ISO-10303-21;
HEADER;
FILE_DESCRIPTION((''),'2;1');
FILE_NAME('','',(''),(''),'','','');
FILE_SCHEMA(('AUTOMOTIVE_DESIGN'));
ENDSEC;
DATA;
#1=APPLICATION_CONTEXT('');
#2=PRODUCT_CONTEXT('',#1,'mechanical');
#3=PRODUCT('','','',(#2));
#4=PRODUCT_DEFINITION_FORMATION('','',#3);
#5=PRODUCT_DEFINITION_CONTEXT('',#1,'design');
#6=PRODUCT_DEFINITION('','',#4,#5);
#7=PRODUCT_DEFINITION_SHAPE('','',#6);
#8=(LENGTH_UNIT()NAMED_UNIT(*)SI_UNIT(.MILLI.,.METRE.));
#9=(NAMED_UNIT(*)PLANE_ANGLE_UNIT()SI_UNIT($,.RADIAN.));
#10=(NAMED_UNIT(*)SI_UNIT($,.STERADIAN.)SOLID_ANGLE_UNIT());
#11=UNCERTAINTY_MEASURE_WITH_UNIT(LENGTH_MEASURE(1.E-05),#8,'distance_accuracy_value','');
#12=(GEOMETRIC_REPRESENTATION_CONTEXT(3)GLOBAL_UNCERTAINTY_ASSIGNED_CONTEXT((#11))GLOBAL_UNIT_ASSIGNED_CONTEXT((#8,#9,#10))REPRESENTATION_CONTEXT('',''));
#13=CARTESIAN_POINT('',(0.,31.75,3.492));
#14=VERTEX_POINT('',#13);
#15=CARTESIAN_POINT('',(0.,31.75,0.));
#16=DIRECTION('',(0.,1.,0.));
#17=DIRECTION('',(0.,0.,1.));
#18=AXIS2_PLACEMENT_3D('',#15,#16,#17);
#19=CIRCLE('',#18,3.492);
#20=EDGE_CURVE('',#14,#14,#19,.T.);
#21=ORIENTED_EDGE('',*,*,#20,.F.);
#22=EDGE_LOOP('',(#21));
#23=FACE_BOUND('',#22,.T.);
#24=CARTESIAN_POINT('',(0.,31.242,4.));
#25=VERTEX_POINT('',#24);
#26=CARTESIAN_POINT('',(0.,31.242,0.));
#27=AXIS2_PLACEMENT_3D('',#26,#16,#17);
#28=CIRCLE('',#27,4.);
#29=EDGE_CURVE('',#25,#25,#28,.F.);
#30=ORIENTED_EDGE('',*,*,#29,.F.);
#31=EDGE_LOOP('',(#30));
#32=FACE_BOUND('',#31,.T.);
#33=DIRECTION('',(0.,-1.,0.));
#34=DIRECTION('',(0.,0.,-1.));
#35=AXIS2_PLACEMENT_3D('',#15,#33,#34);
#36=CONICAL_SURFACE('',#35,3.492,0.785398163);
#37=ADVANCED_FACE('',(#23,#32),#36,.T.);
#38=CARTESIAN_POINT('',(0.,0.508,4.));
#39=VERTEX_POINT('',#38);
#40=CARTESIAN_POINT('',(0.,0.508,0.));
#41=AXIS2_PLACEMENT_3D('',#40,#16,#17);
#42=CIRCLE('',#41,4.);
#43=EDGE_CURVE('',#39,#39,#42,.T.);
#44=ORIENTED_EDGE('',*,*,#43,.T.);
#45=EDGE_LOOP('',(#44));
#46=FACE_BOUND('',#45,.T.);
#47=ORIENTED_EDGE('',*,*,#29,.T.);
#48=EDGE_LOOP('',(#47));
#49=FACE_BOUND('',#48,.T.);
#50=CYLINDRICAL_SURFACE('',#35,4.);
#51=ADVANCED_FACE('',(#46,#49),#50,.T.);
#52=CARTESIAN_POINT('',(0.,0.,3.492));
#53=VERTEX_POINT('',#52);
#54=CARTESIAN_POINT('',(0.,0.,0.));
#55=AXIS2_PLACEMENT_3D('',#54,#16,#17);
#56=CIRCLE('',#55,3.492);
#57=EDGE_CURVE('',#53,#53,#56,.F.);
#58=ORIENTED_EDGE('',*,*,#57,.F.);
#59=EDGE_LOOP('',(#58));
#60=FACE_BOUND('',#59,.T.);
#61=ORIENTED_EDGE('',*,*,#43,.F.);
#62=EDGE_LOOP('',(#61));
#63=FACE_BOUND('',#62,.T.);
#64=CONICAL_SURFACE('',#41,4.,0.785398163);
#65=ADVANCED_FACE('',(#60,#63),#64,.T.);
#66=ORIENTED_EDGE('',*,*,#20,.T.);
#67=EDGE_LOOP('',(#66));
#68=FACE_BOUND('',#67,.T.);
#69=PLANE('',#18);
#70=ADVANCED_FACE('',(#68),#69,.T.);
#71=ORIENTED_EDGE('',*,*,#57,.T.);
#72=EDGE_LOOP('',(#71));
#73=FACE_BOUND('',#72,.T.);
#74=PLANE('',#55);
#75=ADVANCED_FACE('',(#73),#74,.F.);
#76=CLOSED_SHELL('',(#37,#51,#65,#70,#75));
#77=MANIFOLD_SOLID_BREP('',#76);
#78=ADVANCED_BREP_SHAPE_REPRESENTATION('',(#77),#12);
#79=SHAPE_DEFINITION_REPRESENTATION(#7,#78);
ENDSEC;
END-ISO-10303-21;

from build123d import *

# Parameters (mm, degrees)
SKETCH1_R           = 4
BOSS_EXTRUDE1_DEPTH = 31.75
CHAMFER1_SIZE       = 0.508


with BuildPart() as part:
    # Sketch1 → Boss-Extrude1 (new body)
    with BuildSketch(Plane(origin=(0, 0, 0), x_dir=(1, 0, 0), z_dir=(0, 1, 0))):
        Circle(SKETCH1_R)
    extrude(amount=BOSS_EXTRUDE1_DEPTH)

    # Chamfer1
    chamfer1_edges = [part.edges().sort_by_distance(p)[0] for p in [
        (-4, 0, 0),
        (-4, 31.75, 0),
    ]]
    chamfer(chamfer1_edges, length=CHAMFER1_SIZE)


solid = part.part
